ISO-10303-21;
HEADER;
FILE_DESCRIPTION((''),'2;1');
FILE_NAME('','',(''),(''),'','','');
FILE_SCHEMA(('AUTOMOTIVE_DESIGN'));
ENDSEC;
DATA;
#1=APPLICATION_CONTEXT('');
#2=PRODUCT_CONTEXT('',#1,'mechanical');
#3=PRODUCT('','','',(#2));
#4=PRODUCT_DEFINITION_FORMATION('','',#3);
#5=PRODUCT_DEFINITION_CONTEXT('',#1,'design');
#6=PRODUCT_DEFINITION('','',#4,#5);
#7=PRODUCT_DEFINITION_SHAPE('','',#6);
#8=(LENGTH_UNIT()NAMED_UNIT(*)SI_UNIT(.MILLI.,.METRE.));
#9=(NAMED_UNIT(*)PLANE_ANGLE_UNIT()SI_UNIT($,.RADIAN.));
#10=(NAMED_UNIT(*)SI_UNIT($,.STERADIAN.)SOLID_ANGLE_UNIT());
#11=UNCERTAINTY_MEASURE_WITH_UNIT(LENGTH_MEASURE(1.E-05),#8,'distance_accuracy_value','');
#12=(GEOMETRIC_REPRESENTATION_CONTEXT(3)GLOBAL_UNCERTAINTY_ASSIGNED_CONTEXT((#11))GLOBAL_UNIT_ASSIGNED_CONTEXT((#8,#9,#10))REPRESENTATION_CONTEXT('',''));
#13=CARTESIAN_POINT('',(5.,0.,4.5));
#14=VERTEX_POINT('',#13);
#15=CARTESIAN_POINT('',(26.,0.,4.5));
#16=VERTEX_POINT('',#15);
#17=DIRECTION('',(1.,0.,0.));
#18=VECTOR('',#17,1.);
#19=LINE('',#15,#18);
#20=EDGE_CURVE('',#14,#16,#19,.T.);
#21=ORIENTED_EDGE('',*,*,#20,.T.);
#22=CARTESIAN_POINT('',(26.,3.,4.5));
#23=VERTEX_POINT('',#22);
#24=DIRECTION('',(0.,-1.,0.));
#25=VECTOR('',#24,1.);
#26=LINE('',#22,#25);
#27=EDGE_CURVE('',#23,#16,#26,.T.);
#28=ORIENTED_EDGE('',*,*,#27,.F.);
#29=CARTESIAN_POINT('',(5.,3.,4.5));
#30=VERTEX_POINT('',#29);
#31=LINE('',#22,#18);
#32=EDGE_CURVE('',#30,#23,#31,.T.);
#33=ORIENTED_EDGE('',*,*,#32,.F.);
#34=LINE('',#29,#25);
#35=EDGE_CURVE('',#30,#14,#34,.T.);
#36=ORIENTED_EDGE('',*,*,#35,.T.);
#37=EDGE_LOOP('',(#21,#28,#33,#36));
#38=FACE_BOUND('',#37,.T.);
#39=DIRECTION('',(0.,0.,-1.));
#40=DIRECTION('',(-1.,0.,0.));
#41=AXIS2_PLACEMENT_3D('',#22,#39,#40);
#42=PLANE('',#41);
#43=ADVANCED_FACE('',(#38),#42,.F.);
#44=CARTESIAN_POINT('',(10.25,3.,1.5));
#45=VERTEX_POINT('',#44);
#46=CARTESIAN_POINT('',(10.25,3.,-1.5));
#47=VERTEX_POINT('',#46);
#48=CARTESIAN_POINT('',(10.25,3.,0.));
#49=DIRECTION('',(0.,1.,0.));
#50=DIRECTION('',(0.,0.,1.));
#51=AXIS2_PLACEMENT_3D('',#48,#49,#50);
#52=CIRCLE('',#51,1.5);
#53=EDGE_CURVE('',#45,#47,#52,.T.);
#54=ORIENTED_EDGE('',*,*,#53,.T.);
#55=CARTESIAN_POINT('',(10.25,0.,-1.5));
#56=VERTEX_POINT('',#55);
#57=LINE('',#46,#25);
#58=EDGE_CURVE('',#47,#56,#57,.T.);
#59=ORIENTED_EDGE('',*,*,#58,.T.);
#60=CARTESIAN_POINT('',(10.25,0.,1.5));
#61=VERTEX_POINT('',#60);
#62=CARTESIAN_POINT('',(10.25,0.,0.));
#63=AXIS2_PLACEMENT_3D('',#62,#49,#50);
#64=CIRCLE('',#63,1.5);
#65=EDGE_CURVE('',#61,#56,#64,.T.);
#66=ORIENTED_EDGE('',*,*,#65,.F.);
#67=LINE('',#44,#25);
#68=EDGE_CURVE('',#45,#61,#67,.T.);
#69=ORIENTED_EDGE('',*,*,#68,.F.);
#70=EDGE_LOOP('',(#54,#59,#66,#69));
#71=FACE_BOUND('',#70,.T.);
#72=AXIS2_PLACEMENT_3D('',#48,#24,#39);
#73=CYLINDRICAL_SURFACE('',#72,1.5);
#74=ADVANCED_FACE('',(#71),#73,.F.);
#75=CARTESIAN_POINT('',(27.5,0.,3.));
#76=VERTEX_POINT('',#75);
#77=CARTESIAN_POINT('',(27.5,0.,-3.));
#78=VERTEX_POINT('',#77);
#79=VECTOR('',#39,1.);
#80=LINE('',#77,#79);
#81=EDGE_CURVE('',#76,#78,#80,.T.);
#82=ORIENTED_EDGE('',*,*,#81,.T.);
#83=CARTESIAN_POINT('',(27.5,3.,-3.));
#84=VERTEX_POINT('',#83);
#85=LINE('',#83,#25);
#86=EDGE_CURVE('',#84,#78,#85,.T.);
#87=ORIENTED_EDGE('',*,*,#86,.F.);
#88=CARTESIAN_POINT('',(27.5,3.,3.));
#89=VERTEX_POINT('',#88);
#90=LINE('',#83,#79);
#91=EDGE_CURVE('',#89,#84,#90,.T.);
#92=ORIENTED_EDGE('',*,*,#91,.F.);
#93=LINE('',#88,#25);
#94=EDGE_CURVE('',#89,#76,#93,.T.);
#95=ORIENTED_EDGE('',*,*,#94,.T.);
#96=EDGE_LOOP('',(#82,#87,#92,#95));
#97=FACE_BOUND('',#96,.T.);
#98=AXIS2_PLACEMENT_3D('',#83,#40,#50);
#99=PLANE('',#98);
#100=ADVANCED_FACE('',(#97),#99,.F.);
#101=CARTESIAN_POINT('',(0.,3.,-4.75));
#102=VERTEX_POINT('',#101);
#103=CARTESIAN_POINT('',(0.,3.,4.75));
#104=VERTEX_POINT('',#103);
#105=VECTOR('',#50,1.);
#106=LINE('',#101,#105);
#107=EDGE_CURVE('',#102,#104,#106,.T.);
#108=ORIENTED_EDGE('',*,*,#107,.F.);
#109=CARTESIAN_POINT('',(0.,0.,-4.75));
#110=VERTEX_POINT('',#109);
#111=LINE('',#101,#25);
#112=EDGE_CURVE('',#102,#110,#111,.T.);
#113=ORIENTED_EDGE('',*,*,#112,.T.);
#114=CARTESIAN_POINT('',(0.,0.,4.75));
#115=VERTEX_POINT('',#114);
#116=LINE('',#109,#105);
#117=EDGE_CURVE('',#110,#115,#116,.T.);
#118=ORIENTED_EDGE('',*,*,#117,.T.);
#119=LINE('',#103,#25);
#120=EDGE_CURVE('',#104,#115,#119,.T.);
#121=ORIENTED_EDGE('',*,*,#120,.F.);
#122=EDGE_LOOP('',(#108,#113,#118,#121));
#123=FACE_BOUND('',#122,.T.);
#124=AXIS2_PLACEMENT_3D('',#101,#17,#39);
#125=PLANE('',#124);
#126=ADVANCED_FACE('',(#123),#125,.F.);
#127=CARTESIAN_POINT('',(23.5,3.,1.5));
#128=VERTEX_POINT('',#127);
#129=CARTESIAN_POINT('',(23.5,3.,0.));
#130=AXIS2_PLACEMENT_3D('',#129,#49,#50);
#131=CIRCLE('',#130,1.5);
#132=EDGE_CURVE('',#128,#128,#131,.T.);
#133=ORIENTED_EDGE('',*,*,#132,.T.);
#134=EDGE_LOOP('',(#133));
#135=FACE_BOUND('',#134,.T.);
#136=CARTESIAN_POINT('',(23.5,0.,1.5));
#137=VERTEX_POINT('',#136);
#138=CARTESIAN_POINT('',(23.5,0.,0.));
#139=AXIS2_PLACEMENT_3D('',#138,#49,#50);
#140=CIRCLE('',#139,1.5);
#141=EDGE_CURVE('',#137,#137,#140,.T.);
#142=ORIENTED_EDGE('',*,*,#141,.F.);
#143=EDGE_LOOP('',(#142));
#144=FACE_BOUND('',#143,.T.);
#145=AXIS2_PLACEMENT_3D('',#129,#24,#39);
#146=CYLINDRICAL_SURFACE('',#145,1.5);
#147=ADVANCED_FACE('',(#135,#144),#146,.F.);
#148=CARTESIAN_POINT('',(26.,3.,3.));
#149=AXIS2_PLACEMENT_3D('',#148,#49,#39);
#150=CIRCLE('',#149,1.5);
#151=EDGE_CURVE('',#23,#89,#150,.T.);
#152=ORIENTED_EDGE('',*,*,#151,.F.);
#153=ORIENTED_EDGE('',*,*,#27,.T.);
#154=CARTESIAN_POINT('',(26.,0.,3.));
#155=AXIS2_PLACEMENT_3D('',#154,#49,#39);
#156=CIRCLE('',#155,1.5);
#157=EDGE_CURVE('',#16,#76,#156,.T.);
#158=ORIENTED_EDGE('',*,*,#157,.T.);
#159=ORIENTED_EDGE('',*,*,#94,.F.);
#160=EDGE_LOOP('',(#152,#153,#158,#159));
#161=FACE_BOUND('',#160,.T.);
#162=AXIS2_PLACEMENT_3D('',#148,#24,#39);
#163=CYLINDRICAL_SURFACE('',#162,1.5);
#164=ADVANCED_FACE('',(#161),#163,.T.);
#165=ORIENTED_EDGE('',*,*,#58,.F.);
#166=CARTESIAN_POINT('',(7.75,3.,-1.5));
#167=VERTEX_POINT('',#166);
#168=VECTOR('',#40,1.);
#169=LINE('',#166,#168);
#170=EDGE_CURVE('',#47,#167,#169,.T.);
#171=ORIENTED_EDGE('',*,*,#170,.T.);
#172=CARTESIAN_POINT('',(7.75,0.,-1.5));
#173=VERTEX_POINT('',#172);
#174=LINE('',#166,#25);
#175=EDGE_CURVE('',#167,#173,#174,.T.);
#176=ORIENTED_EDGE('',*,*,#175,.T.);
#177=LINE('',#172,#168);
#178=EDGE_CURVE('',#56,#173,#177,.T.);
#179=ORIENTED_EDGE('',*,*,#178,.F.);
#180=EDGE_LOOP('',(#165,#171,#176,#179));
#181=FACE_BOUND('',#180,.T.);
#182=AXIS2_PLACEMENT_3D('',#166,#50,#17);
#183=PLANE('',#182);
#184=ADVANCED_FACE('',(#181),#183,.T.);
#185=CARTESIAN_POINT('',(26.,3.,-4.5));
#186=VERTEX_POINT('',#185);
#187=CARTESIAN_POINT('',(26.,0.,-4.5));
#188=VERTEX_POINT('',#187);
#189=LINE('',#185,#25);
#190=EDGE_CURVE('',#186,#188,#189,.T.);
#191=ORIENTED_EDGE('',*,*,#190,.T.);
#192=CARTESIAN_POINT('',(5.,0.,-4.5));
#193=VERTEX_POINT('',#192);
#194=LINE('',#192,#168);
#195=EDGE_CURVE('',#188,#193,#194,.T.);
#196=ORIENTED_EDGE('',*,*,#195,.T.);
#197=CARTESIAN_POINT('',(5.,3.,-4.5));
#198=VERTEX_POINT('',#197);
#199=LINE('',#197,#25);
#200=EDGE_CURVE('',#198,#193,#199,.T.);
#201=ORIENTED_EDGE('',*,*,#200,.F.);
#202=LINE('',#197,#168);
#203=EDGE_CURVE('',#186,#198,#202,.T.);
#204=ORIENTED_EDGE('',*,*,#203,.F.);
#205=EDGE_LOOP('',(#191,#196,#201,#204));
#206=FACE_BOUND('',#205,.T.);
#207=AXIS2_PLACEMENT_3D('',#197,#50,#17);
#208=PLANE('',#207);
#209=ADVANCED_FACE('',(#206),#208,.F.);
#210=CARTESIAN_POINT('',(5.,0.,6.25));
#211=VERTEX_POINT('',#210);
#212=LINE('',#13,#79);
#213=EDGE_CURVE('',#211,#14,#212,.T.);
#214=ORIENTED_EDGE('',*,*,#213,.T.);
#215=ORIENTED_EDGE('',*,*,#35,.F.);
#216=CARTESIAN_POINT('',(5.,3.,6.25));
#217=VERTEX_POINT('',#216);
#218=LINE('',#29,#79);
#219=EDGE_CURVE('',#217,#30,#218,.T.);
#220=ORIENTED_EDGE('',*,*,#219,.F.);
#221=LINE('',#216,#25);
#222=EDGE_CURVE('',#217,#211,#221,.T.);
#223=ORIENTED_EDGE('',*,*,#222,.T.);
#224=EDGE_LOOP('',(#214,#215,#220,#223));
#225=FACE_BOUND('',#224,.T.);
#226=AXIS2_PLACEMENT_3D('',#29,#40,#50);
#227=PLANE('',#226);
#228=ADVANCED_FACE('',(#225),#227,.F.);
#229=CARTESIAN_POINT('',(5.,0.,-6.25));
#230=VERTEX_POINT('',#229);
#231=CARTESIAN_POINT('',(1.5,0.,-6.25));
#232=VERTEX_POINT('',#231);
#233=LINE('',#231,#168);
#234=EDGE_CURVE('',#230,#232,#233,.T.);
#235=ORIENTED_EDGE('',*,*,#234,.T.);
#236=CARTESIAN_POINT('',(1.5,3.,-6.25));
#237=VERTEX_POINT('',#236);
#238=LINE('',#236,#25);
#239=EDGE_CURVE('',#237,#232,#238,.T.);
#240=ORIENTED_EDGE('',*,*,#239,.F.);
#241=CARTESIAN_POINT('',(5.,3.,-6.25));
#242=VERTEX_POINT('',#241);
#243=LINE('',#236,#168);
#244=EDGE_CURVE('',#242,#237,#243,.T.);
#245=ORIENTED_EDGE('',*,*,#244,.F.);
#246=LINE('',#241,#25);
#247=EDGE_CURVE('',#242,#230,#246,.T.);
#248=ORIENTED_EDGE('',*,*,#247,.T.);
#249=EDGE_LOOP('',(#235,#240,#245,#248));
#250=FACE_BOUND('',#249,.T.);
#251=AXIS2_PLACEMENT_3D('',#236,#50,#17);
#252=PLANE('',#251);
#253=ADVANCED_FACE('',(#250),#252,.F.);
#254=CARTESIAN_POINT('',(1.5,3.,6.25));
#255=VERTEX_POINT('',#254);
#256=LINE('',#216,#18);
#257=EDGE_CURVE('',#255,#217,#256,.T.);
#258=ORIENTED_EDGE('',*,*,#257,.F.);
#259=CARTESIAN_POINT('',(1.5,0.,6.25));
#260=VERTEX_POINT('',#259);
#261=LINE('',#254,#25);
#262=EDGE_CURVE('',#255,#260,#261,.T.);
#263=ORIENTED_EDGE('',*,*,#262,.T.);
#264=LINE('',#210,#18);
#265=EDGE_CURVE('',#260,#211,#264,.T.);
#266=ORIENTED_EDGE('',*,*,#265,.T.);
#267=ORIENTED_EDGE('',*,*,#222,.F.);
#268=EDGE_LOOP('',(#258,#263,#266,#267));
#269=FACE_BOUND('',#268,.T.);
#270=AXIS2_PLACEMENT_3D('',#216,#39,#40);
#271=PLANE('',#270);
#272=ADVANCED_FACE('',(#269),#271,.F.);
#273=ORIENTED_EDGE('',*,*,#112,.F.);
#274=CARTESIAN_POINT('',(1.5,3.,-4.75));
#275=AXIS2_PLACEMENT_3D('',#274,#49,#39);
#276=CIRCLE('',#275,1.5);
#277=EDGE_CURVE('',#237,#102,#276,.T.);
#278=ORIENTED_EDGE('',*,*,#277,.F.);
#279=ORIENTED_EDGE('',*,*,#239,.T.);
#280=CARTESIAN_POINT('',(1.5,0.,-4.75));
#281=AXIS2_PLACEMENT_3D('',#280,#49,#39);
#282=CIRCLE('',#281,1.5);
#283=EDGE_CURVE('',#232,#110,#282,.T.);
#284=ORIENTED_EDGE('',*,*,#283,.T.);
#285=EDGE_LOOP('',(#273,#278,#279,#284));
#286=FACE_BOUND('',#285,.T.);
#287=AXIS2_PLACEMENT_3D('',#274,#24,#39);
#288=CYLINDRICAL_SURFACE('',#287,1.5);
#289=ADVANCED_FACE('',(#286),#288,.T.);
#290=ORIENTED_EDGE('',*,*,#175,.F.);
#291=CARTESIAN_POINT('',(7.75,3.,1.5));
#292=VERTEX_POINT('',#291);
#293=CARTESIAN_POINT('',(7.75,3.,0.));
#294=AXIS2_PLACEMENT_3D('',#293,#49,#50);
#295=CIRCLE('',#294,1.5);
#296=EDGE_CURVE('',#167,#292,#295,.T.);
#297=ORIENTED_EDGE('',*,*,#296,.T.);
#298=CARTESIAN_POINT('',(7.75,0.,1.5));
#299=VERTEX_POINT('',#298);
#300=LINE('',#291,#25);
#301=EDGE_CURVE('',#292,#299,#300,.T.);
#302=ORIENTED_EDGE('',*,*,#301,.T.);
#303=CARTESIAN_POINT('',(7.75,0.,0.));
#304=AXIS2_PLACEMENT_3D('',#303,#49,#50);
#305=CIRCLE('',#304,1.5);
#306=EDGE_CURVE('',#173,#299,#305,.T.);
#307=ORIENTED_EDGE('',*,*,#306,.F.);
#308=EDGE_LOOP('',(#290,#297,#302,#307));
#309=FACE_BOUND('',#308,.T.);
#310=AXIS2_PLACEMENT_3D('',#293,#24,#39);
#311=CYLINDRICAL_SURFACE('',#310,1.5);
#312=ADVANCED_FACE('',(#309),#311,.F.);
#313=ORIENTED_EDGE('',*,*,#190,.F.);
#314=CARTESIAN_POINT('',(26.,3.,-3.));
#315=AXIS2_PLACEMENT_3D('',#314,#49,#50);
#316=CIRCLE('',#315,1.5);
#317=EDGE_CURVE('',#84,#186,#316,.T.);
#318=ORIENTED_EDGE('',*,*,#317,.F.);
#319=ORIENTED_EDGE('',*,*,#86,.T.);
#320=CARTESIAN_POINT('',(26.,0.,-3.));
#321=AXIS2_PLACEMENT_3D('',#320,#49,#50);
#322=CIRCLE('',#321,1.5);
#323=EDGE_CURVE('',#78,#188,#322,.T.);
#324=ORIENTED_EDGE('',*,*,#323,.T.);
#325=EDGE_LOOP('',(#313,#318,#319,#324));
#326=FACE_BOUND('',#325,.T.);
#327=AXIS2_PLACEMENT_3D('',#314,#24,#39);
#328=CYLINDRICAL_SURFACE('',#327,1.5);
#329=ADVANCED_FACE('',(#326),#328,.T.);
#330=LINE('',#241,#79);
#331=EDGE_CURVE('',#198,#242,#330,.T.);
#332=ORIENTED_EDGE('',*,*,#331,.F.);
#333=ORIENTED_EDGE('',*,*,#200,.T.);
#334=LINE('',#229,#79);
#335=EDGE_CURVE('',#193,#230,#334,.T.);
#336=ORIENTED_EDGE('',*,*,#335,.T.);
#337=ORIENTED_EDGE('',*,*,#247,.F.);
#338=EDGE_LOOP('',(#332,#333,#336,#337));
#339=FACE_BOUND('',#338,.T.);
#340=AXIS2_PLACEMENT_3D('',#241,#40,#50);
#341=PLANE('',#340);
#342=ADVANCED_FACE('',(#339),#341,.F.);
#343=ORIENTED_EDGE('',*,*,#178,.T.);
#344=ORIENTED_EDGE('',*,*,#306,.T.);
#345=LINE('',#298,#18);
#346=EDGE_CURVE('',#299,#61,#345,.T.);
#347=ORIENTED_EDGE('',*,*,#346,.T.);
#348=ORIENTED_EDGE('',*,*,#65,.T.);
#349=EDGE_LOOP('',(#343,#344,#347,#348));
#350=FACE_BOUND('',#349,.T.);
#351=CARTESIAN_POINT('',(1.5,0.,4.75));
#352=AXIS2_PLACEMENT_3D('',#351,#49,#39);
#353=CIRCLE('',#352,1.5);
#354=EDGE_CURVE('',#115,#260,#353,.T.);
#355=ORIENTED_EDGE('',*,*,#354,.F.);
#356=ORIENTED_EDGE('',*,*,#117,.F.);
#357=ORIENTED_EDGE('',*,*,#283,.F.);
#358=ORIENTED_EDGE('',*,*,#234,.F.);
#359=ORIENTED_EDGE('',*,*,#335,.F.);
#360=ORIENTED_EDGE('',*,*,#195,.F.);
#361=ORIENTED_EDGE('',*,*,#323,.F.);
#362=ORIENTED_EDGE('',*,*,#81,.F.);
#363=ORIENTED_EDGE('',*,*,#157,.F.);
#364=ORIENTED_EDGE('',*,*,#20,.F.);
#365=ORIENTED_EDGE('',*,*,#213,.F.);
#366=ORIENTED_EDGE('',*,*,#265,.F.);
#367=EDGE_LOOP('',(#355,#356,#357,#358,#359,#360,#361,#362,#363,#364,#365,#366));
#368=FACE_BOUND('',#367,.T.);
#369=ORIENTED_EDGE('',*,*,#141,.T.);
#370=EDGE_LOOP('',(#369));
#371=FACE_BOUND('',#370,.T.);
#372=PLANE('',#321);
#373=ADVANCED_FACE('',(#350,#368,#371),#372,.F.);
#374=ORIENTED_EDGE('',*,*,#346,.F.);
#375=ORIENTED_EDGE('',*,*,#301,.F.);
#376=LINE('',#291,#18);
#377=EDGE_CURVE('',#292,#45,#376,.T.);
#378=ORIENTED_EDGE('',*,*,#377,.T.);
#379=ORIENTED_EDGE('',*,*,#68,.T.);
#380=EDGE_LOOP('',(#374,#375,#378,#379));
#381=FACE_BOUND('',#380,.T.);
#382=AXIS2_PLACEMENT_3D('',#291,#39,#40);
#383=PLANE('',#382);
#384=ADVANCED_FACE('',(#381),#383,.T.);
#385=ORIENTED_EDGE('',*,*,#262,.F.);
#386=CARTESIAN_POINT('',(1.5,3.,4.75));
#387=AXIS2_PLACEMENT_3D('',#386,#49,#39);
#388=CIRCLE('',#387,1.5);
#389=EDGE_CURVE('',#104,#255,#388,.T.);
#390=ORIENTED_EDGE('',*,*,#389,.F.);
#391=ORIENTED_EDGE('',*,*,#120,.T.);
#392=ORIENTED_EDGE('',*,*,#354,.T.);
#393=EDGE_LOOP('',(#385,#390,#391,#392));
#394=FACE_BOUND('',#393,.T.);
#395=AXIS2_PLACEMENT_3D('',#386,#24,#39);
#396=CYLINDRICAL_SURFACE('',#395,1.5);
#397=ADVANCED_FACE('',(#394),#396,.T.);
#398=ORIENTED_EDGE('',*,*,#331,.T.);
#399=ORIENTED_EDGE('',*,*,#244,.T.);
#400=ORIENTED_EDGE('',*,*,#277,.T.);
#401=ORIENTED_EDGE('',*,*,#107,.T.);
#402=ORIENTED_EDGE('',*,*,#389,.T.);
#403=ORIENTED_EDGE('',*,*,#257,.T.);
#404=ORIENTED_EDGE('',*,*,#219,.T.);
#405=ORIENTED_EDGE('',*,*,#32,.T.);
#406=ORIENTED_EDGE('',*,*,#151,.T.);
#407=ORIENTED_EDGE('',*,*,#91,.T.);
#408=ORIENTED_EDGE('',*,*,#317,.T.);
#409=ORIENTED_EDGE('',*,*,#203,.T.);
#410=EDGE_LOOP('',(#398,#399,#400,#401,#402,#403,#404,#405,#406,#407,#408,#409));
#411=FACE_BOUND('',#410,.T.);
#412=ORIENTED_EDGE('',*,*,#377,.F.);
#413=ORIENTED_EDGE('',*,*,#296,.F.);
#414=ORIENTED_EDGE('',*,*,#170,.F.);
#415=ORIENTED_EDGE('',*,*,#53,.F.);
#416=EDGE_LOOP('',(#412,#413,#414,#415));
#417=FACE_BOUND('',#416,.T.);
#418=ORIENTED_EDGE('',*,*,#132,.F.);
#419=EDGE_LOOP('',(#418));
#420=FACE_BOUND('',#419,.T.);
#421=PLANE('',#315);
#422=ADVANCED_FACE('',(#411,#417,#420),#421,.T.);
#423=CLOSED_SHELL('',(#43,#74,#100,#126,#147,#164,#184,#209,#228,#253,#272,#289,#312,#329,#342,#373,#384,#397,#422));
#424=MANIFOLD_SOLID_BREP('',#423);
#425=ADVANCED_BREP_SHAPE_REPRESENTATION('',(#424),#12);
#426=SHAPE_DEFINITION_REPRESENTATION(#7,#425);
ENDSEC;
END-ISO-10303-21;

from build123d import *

# Parameters (mm, degrees)
SKETCH_1_R      = 1.5
EXTRUDE_1_DEPTH = 3


with BuildPart() as part:
    # 草图1 → 凸台-拉伸1 (new body)
    with BuildSketch(Plane(origin=(0, 0, 0), x_dir=(1, 0, 0), z_dir=(0, 1, 0))):
        with BuildLine():
            Line((0, 4.75), (0, -4.75))
            ThreePointArc((0, -4.75), (0.439339828, -5.810660172), (1.5, -6.25))
            Line((1.5, -6.25), (5, -6.25))
            Line((5, -6.25), (5, -4.5))
            Line((5, -4.5), (26, -4.5))
            ThreePointArc((26, -4.5), (27.060660172, -4.060660172), (27.5, -3))
            Line((27.5, -3), (27.5, 3))
            ThreePointArc((27.5, 3), (27.060660172, 4.060660172), (26, 4.5))
            Line((26, 4.5), (5, 4.5))
            Line((5, 4.5), (5, 6.25))
            Line((5, 6.25), (1.5, 6.25))
            ThreePointArc((1.5, 6.25), (0.439339828, 5.810660172), (0, 4.75))
        make_face()
        with Locations(Location((23.5, 0, 0), (0, 0, 270))):
            Circle(SKETCH_1_R, mode=Mode.SUBTRACT)
        with BuildLine():
            Line((7.75, 1.5), (10.25, 1.5))
            ThreePointArc((10.25, 1.5), (11.75, 0), (10.25, -1.5))
            Line((10.25, -1.5), (7.75, -1.5))
            ThreePointArc((7.75, -1.5), (6.25, 0), (7.75, 1.5))
        make_face(mode=Mode.SUBTRACT)
    extrude(amount=EXTRUDE_1_DEPTH)


solid = part.part
